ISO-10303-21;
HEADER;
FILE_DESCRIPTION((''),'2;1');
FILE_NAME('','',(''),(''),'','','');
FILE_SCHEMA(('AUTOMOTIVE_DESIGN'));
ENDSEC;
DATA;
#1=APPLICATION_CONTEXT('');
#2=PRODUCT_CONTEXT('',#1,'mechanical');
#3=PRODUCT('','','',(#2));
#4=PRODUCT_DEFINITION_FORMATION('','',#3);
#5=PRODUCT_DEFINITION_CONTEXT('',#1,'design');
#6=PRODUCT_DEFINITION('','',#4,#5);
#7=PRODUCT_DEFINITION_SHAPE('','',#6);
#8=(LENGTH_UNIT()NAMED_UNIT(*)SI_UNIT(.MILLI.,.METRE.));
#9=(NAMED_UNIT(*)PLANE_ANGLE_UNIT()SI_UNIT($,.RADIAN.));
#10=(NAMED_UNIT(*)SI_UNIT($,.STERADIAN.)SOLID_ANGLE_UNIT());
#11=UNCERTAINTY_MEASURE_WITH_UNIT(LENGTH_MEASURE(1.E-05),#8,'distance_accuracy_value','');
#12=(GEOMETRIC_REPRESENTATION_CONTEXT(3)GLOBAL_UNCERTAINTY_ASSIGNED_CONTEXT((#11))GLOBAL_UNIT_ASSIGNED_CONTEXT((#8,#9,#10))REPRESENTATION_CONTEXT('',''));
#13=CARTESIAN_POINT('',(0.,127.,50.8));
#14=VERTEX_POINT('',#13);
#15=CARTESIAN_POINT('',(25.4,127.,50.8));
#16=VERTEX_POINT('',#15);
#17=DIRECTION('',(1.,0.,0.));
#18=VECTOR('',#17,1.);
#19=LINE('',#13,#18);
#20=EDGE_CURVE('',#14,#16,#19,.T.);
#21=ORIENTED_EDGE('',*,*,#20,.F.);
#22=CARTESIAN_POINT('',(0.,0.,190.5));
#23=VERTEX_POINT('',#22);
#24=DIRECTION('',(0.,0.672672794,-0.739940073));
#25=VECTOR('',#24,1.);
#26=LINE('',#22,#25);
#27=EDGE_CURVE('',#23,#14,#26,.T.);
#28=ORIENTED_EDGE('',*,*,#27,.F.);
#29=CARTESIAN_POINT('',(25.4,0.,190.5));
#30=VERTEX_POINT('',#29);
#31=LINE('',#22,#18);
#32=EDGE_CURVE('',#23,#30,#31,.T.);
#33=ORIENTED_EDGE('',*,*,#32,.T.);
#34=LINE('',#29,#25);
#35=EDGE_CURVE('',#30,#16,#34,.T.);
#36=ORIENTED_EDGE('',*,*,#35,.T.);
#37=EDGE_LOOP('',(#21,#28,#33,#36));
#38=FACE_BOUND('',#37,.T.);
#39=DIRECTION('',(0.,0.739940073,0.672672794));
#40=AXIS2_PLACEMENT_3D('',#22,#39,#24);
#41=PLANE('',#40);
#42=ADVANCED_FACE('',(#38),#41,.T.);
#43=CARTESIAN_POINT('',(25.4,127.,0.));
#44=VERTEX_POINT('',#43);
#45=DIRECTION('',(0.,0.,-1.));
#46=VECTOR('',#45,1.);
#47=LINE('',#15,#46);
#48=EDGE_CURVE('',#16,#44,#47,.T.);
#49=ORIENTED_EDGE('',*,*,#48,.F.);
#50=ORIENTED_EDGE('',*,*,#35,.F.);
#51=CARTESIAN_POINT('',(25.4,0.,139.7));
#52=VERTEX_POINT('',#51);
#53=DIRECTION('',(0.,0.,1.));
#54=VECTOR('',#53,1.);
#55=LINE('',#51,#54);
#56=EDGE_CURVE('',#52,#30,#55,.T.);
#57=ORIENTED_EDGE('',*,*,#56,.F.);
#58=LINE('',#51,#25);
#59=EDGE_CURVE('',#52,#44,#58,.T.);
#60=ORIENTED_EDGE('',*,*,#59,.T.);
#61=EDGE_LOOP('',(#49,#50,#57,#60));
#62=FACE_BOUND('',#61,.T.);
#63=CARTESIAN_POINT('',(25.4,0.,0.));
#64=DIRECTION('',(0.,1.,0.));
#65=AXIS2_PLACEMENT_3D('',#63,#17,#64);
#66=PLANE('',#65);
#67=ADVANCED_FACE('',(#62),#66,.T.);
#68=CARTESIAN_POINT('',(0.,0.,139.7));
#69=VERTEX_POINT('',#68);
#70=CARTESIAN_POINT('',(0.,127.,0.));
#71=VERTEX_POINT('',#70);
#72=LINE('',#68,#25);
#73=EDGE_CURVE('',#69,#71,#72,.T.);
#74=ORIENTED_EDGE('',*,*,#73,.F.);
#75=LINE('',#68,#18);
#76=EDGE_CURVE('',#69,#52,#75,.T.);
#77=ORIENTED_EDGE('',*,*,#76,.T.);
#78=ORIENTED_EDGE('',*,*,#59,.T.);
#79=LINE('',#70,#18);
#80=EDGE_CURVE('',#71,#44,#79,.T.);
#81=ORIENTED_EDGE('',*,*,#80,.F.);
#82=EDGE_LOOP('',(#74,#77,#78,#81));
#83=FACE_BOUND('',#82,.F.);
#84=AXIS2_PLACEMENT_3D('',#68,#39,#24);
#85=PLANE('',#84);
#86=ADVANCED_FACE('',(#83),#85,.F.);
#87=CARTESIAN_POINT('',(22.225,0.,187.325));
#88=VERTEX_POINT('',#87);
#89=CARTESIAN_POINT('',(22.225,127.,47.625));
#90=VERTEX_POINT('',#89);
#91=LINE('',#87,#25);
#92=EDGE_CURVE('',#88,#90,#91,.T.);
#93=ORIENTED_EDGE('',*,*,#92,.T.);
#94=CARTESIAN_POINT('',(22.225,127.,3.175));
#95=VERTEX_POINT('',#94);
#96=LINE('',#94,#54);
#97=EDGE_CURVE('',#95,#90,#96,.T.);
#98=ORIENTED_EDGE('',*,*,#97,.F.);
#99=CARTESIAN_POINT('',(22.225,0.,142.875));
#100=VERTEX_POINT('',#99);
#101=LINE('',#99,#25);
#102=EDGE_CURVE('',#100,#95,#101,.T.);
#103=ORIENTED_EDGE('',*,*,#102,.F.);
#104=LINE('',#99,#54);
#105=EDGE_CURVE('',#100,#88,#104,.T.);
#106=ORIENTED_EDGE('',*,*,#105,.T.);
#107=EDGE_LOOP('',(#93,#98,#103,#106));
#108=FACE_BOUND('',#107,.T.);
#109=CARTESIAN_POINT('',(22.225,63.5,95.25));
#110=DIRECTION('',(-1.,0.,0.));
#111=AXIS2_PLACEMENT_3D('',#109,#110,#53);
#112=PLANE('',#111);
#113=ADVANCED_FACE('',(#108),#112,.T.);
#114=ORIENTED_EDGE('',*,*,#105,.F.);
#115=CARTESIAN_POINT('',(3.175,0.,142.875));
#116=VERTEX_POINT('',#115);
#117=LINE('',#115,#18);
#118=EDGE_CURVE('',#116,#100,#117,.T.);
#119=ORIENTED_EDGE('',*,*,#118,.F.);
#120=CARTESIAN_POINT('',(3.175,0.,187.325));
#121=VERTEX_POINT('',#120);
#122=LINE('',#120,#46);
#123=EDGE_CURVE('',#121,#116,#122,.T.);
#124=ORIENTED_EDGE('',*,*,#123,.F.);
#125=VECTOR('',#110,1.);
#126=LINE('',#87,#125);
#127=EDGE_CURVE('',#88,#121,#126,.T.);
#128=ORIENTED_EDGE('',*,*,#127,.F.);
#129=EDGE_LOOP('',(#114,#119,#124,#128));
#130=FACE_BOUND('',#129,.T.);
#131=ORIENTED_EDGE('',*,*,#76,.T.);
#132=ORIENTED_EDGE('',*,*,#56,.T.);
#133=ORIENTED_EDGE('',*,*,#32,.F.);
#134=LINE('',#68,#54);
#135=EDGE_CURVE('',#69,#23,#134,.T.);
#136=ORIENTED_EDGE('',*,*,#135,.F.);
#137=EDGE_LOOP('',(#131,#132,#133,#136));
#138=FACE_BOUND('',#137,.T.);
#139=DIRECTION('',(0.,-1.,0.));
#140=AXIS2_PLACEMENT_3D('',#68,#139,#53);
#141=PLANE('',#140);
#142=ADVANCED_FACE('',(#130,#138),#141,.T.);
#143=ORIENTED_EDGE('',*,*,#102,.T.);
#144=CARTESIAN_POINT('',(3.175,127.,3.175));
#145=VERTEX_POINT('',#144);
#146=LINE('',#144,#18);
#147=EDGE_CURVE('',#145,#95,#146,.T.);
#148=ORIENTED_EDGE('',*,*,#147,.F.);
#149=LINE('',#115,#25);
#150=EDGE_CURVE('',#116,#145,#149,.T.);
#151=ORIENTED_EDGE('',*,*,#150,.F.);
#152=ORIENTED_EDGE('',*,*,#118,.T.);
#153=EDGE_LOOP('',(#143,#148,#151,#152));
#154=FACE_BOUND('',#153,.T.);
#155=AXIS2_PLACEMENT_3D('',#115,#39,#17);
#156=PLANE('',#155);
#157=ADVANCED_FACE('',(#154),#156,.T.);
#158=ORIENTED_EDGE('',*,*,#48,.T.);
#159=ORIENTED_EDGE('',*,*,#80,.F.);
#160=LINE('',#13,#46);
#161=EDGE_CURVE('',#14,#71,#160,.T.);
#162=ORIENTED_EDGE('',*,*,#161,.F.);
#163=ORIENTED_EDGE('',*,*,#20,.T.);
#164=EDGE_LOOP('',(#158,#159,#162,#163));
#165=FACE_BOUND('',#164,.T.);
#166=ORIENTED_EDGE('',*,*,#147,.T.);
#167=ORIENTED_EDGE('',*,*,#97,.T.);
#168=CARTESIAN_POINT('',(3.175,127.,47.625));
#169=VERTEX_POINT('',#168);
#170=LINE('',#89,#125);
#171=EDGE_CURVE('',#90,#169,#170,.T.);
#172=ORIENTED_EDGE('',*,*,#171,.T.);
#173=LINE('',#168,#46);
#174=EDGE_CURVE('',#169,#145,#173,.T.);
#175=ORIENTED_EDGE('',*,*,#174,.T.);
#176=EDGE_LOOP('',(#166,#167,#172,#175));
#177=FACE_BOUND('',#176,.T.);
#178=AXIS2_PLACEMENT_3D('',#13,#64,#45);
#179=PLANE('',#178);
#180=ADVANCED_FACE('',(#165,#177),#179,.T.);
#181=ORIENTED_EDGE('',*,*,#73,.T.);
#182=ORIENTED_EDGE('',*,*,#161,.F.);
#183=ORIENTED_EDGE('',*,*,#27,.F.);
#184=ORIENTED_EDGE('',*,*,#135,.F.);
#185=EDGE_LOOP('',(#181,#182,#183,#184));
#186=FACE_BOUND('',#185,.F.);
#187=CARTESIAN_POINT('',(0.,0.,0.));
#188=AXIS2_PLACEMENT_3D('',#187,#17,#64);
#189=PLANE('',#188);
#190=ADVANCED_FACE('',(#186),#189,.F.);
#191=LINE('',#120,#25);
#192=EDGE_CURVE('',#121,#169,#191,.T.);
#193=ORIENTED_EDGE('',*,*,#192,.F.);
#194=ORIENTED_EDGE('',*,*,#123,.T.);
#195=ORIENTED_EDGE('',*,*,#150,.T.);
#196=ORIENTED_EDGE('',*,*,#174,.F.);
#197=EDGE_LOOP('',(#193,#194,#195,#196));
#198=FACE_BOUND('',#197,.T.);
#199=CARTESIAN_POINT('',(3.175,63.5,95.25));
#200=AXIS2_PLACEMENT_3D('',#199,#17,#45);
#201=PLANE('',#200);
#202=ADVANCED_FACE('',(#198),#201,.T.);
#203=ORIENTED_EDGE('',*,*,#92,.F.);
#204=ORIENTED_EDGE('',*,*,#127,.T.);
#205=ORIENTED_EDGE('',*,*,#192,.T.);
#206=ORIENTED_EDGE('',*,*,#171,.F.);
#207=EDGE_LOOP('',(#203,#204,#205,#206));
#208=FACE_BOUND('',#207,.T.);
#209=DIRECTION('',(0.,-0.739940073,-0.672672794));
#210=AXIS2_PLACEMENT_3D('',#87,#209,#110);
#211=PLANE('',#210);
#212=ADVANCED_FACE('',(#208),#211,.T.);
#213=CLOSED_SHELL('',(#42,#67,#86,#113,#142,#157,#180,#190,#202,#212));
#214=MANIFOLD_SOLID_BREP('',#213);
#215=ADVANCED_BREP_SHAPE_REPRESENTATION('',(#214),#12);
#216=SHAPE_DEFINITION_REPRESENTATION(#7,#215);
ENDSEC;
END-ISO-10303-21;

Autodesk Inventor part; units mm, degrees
ref_plane "YZ Plane" through (0, 0, 0) normal (1, 0, 0) x (0, 1, 0)
ref_plane "XZ Plane" through (0, 0, 0) normal (0, 1, 0) x (-1, 0, 0)
ref_plane "XY Plane" through (0, 0, 0) normal (0, 0, 1) x (1, 0, 0)
sketch "Sketch3" plane through (0, 0, 0) normal (1, 0, 0) x (0, 1, 0)
  line L0 (0, 190.5) -> (127, 50.8)
  line L1 (0, 139.7) -> (127, 0)
  line L2 (127, 50.8) -> (127, 0)
  line L3 (0, 139.7) -> (0, 190.5)
  point P0 (0, 0)
  dimension "d10" = 34.1718
  dimension "d11" = 42.274
  dimension "d12" = 127
extrude "Extrusion1" add sketch "Sketch3" along normal blind 25.4
sketch "Sketch4" plane through (0, 127, 50.8) normal (0, 1, 0) x (1, 0, 0)
  line L0 (0, -139.7) -> (0, 0) projected
  line L1 (25.4, 0) -> (25.4, -139.7) projected
  line L2 (0, 50.8) -> (25.4, 50.8) projected
  line L3 (0, -139.7) -> (25.4, -139.7) projected
  line L4 (22.225, 3.175) -> (3.175, 3.175)
  line L5 (3.175, 3.175) -> (3.175, 47.625)
  line L6 (3.175, 47.625) -> (22.225, 47.625)
  line L7 (22.225, 47.625) -> (22.225, 3.175)
  line L8 (0, 0) -> (0, 50.8) projected
  line L9 (0, 0) -> (25.4, 0) projected
  dimension "d19" = 3.175
  dimension "d20" = 3.175
  dimension "d21" = 3.175
  dimension "d22" = 19.05
sketch "Sketch6" plane through (0, 0, 139.7) normal (0, -1, 0) x (1, 0, 0)
  line L0 (22.225, 47.625) -> (3.175, 47.625)
  line L1 (3.175, 47.625) -> (3.175, 3.175)
  line L2 (3.175, 3.175) -> (22.225, 3.175)
  line L3 (22.225, 3.175) -> (22.225, 47.625)
  line L4 (25.4, 50.8) -> (25.4, 0) projected
  line L5 (0, 0) -> (25.4, 0) projected
  line L6 (0, 50.8) -> (25.4, 50.8) projected
  point P0 (0, -139.7)
  dimension "d27" = 19.05
  dimension "d28" = 3.175
  dimension "d29" = 3.175
  dimension "d30" = 3.175
sketch3d "3D Sketch1"
  line L0 (25.4, 0, 190.5) -> (25.4, 127, 50.8)
sweep "Sweep1" cut profiles "Sketch6" path "3D Sketch1"
equation "\"d28\" = d19"
equation "\"d29\" = d20"
equation "\"d30\" = d20"
properties part number "Diagonal Roller Cage Support"
